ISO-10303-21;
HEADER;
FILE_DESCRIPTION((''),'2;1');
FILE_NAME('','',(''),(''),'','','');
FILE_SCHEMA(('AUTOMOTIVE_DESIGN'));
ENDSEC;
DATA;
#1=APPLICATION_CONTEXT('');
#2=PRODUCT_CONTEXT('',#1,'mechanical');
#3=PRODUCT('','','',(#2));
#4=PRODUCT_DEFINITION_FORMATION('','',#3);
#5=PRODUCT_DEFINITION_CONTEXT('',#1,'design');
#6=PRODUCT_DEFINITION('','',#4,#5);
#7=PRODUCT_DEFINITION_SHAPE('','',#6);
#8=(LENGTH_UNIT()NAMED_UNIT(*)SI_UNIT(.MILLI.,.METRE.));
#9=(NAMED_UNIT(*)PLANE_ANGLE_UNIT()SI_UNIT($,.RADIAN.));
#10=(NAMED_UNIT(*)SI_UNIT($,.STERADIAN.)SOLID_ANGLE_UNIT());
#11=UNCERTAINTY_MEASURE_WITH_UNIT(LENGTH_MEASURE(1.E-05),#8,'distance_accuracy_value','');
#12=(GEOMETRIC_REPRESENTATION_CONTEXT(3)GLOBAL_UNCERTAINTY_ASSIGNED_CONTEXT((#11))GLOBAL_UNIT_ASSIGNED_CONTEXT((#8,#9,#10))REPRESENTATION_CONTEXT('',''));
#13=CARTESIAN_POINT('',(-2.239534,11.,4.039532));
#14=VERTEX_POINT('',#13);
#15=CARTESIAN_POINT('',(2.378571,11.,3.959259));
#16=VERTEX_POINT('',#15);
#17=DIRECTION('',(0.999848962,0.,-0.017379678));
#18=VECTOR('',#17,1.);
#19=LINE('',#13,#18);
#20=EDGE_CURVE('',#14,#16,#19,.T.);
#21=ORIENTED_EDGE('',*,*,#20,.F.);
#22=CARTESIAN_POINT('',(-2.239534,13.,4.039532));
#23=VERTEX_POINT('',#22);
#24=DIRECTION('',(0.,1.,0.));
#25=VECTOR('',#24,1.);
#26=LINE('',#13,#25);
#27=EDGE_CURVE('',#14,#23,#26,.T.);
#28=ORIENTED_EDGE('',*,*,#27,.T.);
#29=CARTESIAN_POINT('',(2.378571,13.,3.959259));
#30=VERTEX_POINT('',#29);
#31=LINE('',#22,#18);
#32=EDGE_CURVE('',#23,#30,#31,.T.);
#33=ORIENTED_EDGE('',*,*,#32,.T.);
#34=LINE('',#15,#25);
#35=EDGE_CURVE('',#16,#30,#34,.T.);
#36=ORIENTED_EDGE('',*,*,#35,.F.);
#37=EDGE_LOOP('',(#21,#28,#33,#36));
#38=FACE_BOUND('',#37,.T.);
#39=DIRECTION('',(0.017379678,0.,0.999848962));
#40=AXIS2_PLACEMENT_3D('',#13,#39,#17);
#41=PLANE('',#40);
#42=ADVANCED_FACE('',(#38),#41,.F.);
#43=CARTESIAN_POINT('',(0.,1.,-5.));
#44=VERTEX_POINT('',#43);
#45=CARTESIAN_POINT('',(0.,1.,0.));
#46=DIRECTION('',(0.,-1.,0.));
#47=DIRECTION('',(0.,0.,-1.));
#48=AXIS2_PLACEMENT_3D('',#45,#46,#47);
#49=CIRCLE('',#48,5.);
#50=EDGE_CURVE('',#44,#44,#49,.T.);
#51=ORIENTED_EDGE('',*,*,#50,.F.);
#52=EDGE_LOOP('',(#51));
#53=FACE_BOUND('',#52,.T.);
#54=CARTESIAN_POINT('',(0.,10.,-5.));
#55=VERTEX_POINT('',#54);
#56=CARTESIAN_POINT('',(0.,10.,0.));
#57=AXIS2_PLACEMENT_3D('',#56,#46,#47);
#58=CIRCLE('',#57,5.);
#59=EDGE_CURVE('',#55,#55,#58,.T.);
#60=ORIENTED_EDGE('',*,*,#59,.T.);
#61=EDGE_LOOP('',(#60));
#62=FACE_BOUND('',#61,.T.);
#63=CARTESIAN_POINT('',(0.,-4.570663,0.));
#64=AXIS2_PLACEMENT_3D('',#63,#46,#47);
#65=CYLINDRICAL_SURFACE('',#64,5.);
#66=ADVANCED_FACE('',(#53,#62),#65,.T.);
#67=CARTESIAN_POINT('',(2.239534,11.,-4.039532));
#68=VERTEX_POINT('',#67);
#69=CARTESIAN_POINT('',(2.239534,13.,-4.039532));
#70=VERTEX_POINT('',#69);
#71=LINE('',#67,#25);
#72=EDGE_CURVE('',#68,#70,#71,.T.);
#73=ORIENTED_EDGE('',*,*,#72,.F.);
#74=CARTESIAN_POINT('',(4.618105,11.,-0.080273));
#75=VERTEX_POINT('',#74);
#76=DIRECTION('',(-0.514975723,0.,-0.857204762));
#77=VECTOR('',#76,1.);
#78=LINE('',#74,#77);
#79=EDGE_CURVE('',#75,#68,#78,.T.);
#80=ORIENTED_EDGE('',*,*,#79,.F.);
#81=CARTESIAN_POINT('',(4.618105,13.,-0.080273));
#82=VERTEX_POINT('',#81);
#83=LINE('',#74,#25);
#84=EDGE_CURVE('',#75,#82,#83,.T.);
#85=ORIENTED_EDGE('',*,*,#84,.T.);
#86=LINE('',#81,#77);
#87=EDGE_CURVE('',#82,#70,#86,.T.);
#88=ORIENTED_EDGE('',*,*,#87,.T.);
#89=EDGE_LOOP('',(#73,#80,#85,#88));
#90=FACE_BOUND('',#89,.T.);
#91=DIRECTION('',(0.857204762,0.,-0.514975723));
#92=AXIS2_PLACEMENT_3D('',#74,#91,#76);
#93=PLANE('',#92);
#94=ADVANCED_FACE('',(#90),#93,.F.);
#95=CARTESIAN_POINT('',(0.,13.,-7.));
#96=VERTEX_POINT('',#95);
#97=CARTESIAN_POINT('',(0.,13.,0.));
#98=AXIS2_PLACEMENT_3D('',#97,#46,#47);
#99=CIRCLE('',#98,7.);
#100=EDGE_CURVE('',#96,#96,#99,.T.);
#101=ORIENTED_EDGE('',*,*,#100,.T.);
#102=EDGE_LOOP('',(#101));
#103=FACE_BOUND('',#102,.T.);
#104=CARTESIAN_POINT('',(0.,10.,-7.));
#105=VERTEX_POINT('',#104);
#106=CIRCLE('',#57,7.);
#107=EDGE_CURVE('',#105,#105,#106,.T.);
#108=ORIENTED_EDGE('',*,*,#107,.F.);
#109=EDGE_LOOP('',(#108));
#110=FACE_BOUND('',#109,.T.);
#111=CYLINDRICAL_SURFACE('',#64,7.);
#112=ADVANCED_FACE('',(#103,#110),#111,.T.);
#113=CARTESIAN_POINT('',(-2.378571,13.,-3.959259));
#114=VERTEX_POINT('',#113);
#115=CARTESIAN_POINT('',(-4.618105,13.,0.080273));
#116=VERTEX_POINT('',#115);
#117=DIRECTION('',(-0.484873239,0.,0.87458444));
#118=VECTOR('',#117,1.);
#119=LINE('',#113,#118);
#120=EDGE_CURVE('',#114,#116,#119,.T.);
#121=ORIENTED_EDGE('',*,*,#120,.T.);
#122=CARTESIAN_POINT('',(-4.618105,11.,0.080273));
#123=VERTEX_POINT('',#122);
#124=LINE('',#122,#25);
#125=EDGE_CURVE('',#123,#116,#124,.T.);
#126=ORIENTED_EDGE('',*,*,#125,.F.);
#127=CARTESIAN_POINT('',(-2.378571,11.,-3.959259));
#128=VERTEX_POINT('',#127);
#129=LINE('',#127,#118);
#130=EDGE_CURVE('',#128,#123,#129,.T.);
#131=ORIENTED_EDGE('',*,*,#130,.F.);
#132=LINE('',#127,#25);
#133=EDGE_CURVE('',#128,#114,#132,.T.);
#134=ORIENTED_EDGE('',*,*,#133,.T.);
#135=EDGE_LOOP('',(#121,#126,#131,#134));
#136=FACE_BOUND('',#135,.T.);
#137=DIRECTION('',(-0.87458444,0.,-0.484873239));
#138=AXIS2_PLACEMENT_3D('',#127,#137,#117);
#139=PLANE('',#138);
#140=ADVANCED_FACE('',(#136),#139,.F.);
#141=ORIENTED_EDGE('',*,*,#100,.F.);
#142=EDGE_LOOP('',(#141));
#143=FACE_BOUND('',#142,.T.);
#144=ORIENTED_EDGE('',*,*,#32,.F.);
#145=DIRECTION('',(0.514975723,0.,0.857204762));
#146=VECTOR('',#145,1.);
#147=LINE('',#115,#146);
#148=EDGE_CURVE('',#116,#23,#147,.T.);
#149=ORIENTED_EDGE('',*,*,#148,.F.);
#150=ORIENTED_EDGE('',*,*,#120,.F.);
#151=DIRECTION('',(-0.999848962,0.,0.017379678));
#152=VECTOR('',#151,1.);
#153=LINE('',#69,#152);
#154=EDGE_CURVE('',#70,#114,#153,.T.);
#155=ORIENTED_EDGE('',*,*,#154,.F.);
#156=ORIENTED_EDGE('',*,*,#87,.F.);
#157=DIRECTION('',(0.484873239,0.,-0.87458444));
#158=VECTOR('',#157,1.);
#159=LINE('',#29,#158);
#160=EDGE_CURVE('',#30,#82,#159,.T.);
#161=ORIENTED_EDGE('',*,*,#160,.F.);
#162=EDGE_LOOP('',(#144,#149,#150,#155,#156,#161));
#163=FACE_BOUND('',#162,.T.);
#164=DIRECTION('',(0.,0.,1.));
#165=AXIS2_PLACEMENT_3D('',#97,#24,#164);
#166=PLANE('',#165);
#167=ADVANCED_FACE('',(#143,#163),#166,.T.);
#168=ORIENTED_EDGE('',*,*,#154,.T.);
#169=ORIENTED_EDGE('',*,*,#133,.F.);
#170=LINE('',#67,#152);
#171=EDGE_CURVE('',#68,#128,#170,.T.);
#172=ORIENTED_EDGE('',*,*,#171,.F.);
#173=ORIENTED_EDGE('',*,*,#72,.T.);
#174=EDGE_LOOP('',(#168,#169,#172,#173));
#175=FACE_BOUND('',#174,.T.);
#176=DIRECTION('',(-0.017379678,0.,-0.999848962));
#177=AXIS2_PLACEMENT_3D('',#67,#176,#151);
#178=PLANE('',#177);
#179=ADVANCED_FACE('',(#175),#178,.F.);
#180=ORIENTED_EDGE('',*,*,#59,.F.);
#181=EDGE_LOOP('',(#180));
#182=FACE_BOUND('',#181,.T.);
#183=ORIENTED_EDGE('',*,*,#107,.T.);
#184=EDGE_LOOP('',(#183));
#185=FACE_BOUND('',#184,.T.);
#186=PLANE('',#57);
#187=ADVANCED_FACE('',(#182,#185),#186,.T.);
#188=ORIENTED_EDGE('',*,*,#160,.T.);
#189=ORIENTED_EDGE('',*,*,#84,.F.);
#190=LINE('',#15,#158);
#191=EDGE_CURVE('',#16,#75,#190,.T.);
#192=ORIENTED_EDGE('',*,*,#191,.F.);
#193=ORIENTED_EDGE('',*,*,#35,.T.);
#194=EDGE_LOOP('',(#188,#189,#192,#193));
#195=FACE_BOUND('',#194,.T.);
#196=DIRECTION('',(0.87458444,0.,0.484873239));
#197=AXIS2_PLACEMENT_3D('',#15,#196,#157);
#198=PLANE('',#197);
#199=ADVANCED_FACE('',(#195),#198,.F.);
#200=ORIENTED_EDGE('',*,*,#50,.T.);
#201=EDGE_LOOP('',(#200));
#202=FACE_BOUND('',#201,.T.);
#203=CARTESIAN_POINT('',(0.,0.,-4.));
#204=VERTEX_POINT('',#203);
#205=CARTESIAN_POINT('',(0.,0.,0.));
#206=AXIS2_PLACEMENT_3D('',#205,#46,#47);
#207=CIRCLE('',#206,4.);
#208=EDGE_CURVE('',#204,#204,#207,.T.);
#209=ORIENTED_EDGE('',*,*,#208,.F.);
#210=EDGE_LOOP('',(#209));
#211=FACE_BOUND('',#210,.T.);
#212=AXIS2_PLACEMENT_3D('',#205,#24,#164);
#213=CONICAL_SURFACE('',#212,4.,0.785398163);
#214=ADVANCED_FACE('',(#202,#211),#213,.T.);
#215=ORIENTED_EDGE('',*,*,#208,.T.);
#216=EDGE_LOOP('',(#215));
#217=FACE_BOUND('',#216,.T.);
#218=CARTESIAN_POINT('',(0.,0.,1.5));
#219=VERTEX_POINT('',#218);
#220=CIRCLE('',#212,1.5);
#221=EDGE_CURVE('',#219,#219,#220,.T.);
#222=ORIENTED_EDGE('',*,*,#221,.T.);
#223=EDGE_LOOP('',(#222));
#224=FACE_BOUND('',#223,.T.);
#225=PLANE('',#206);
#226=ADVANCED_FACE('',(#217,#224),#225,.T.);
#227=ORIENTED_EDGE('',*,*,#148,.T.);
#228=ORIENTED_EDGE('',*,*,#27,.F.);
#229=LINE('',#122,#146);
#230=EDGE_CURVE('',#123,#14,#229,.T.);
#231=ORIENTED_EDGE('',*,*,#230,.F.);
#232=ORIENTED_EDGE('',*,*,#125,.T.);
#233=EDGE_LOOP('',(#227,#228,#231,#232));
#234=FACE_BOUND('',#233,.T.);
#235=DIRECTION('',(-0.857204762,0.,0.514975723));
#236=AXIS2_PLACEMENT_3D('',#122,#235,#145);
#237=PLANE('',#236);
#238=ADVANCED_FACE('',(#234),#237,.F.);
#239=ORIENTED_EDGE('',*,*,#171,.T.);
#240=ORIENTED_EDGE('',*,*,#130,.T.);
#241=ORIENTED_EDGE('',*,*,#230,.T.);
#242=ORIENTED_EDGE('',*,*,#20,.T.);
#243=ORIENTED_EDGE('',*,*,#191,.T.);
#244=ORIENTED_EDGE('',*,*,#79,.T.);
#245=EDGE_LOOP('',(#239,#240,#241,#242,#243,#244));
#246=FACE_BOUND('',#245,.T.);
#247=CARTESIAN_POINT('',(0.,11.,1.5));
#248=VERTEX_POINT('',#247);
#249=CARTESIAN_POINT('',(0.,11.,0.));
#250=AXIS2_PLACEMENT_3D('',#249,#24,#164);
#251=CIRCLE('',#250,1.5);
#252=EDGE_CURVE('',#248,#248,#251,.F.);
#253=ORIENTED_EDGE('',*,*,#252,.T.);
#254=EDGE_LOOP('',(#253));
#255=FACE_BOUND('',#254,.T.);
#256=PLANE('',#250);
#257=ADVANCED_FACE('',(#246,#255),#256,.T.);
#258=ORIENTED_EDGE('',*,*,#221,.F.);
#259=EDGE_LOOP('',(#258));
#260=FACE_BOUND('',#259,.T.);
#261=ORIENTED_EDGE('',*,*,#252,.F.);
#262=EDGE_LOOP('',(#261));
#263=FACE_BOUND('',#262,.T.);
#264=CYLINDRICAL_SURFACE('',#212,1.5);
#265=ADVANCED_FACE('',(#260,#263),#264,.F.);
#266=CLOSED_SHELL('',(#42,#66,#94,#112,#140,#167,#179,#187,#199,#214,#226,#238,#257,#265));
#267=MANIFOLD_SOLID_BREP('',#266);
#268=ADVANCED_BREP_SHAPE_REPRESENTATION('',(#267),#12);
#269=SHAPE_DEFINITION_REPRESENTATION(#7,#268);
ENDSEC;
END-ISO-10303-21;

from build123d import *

# Parameters (mm, degrees)
SKETCH3_R          = 1.5
CUT_EXTRUDE1_DEPTH = 14
CUT_EXTRUDE2_DEPTH = 2


with BuildPart() as part:
    # Sketch1 → Revolve1 (revolve)
    with BuildSketch(Plane.XY):
        Polygon((7, 13), (0, 13), (0, 10), (0, 0), (4, 0), (5, 1), (5, 10), (7, 10), align=None)
    revolve(axis=Axis((0, -4.570663127, 0), (0, 1, 0)))

    # Sketch3 → Cut-Extrude1 (cut, through all)
    with BuildSketch(Plane(origin=(0, 13, 0), x_dir=(1, 0, 0), z_dir=(0, 1, 0))):
        Circle(SKETCH3_R)
    extrude(amount=-CUT_EXTRUDE1_DEPTH, mode=Mode.SUBTRACT)

    # Sketch4 → Cut-Extrude2 (cut)
    with BuildSketch(Plane(origin=(0, 13, 0), x_dir=(1, 0, 0), z_dir=(0, 1, 0))):
        Polygon((2.239533559, 4.039532494), (-2.37857098, 3.959259202), (-4.618104539, -0.080273292), (-2.239533559, -4.039532494), (2.37857098, -3.959259202), (4.618104539, 0.080273292), align=None)
    extrude(amount=-CUT_EXTRUDE2_DEPTH, mode=Mode.SUBTRACT)


solid = part.part
